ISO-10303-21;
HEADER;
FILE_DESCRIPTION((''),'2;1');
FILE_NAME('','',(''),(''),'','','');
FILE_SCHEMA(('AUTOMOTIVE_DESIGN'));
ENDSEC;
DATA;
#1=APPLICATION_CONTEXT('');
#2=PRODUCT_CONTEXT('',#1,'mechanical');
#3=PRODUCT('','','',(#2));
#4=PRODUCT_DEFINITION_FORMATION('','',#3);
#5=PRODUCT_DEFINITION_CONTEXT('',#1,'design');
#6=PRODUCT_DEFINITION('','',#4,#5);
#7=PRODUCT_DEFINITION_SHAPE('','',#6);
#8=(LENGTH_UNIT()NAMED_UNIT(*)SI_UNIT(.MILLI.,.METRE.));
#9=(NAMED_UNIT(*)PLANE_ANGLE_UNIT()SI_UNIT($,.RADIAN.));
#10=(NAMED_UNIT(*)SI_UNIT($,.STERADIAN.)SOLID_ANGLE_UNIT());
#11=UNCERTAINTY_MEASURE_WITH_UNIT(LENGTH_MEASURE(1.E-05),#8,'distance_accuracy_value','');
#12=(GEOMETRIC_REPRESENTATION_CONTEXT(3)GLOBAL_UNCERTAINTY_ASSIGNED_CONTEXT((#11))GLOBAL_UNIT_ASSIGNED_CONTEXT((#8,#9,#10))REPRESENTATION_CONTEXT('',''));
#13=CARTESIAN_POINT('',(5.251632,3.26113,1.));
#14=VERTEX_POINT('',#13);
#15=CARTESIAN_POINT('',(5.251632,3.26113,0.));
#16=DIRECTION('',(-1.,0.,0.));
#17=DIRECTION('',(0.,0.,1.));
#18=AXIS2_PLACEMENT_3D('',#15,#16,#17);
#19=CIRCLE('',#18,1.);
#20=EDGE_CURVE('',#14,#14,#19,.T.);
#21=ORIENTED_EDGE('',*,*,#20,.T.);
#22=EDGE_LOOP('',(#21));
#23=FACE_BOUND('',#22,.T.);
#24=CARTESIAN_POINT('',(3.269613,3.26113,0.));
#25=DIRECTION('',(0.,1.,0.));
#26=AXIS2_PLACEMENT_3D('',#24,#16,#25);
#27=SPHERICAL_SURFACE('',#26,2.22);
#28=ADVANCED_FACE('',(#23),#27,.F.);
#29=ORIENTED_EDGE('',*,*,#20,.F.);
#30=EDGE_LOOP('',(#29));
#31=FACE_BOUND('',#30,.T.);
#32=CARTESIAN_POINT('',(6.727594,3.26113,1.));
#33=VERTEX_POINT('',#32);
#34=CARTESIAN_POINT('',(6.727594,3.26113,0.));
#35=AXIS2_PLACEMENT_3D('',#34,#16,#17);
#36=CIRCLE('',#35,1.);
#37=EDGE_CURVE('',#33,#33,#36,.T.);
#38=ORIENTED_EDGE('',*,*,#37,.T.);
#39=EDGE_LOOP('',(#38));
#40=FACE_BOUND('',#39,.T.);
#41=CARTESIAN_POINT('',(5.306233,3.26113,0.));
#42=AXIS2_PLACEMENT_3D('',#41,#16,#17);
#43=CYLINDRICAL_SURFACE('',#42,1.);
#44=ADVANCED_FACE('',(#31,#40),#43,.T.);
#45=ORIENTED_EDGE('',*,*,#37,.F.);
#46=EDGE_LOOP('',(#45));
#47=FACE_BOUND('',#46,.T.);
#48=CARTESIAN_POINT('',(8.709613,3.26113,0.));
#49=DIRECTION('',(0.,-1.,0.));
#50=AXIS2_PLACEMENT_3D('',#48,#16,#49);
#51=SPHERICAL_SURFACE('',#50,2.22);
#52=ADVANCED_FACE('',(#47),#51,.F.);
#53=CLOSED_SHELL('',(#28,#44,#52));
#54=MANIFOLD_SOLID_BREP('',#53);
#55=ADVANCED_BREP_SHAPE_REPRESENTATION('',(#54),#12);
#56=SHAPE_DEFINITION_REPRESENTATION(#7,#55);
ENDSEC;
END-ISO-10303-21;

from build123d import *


with BuildPart() as part:
    # 草图1 → 旋转1 (revolve)
    with BuildSketch(Plane.XY, mode=Mode.PRIVATE) as revolve_1_sk:
        with BuildLine():
            Line((6.489613269, 3.261130144), (5.489613269, 3.261130144))
            ThreePointArc((5.489613269, 3.261130144), (5.429298728, 3.775093876), (5.251632441, 4.261130144))
            Line((5.251632441, 4.261130144), (5.989613269, 4.261130144))
            Line((5.989613269, 4.261130144), (6.727594096, 4.261130144))
            ThreePointArc((6.727594096, 4.261130144), (6.54992781, 3.775093876), (6.489613269, 3.261130144))
        make_face()
    revolve(revolve_1_sk.sketch.rotate(Axis((5.306232639, 3.261130144, 0), (1, 0, 0)), 90), axis=Axis((5.306232639, 3.261130144, 0), (1, 0, 0)))  # turned: the seam where the file's is


solid = part.part
